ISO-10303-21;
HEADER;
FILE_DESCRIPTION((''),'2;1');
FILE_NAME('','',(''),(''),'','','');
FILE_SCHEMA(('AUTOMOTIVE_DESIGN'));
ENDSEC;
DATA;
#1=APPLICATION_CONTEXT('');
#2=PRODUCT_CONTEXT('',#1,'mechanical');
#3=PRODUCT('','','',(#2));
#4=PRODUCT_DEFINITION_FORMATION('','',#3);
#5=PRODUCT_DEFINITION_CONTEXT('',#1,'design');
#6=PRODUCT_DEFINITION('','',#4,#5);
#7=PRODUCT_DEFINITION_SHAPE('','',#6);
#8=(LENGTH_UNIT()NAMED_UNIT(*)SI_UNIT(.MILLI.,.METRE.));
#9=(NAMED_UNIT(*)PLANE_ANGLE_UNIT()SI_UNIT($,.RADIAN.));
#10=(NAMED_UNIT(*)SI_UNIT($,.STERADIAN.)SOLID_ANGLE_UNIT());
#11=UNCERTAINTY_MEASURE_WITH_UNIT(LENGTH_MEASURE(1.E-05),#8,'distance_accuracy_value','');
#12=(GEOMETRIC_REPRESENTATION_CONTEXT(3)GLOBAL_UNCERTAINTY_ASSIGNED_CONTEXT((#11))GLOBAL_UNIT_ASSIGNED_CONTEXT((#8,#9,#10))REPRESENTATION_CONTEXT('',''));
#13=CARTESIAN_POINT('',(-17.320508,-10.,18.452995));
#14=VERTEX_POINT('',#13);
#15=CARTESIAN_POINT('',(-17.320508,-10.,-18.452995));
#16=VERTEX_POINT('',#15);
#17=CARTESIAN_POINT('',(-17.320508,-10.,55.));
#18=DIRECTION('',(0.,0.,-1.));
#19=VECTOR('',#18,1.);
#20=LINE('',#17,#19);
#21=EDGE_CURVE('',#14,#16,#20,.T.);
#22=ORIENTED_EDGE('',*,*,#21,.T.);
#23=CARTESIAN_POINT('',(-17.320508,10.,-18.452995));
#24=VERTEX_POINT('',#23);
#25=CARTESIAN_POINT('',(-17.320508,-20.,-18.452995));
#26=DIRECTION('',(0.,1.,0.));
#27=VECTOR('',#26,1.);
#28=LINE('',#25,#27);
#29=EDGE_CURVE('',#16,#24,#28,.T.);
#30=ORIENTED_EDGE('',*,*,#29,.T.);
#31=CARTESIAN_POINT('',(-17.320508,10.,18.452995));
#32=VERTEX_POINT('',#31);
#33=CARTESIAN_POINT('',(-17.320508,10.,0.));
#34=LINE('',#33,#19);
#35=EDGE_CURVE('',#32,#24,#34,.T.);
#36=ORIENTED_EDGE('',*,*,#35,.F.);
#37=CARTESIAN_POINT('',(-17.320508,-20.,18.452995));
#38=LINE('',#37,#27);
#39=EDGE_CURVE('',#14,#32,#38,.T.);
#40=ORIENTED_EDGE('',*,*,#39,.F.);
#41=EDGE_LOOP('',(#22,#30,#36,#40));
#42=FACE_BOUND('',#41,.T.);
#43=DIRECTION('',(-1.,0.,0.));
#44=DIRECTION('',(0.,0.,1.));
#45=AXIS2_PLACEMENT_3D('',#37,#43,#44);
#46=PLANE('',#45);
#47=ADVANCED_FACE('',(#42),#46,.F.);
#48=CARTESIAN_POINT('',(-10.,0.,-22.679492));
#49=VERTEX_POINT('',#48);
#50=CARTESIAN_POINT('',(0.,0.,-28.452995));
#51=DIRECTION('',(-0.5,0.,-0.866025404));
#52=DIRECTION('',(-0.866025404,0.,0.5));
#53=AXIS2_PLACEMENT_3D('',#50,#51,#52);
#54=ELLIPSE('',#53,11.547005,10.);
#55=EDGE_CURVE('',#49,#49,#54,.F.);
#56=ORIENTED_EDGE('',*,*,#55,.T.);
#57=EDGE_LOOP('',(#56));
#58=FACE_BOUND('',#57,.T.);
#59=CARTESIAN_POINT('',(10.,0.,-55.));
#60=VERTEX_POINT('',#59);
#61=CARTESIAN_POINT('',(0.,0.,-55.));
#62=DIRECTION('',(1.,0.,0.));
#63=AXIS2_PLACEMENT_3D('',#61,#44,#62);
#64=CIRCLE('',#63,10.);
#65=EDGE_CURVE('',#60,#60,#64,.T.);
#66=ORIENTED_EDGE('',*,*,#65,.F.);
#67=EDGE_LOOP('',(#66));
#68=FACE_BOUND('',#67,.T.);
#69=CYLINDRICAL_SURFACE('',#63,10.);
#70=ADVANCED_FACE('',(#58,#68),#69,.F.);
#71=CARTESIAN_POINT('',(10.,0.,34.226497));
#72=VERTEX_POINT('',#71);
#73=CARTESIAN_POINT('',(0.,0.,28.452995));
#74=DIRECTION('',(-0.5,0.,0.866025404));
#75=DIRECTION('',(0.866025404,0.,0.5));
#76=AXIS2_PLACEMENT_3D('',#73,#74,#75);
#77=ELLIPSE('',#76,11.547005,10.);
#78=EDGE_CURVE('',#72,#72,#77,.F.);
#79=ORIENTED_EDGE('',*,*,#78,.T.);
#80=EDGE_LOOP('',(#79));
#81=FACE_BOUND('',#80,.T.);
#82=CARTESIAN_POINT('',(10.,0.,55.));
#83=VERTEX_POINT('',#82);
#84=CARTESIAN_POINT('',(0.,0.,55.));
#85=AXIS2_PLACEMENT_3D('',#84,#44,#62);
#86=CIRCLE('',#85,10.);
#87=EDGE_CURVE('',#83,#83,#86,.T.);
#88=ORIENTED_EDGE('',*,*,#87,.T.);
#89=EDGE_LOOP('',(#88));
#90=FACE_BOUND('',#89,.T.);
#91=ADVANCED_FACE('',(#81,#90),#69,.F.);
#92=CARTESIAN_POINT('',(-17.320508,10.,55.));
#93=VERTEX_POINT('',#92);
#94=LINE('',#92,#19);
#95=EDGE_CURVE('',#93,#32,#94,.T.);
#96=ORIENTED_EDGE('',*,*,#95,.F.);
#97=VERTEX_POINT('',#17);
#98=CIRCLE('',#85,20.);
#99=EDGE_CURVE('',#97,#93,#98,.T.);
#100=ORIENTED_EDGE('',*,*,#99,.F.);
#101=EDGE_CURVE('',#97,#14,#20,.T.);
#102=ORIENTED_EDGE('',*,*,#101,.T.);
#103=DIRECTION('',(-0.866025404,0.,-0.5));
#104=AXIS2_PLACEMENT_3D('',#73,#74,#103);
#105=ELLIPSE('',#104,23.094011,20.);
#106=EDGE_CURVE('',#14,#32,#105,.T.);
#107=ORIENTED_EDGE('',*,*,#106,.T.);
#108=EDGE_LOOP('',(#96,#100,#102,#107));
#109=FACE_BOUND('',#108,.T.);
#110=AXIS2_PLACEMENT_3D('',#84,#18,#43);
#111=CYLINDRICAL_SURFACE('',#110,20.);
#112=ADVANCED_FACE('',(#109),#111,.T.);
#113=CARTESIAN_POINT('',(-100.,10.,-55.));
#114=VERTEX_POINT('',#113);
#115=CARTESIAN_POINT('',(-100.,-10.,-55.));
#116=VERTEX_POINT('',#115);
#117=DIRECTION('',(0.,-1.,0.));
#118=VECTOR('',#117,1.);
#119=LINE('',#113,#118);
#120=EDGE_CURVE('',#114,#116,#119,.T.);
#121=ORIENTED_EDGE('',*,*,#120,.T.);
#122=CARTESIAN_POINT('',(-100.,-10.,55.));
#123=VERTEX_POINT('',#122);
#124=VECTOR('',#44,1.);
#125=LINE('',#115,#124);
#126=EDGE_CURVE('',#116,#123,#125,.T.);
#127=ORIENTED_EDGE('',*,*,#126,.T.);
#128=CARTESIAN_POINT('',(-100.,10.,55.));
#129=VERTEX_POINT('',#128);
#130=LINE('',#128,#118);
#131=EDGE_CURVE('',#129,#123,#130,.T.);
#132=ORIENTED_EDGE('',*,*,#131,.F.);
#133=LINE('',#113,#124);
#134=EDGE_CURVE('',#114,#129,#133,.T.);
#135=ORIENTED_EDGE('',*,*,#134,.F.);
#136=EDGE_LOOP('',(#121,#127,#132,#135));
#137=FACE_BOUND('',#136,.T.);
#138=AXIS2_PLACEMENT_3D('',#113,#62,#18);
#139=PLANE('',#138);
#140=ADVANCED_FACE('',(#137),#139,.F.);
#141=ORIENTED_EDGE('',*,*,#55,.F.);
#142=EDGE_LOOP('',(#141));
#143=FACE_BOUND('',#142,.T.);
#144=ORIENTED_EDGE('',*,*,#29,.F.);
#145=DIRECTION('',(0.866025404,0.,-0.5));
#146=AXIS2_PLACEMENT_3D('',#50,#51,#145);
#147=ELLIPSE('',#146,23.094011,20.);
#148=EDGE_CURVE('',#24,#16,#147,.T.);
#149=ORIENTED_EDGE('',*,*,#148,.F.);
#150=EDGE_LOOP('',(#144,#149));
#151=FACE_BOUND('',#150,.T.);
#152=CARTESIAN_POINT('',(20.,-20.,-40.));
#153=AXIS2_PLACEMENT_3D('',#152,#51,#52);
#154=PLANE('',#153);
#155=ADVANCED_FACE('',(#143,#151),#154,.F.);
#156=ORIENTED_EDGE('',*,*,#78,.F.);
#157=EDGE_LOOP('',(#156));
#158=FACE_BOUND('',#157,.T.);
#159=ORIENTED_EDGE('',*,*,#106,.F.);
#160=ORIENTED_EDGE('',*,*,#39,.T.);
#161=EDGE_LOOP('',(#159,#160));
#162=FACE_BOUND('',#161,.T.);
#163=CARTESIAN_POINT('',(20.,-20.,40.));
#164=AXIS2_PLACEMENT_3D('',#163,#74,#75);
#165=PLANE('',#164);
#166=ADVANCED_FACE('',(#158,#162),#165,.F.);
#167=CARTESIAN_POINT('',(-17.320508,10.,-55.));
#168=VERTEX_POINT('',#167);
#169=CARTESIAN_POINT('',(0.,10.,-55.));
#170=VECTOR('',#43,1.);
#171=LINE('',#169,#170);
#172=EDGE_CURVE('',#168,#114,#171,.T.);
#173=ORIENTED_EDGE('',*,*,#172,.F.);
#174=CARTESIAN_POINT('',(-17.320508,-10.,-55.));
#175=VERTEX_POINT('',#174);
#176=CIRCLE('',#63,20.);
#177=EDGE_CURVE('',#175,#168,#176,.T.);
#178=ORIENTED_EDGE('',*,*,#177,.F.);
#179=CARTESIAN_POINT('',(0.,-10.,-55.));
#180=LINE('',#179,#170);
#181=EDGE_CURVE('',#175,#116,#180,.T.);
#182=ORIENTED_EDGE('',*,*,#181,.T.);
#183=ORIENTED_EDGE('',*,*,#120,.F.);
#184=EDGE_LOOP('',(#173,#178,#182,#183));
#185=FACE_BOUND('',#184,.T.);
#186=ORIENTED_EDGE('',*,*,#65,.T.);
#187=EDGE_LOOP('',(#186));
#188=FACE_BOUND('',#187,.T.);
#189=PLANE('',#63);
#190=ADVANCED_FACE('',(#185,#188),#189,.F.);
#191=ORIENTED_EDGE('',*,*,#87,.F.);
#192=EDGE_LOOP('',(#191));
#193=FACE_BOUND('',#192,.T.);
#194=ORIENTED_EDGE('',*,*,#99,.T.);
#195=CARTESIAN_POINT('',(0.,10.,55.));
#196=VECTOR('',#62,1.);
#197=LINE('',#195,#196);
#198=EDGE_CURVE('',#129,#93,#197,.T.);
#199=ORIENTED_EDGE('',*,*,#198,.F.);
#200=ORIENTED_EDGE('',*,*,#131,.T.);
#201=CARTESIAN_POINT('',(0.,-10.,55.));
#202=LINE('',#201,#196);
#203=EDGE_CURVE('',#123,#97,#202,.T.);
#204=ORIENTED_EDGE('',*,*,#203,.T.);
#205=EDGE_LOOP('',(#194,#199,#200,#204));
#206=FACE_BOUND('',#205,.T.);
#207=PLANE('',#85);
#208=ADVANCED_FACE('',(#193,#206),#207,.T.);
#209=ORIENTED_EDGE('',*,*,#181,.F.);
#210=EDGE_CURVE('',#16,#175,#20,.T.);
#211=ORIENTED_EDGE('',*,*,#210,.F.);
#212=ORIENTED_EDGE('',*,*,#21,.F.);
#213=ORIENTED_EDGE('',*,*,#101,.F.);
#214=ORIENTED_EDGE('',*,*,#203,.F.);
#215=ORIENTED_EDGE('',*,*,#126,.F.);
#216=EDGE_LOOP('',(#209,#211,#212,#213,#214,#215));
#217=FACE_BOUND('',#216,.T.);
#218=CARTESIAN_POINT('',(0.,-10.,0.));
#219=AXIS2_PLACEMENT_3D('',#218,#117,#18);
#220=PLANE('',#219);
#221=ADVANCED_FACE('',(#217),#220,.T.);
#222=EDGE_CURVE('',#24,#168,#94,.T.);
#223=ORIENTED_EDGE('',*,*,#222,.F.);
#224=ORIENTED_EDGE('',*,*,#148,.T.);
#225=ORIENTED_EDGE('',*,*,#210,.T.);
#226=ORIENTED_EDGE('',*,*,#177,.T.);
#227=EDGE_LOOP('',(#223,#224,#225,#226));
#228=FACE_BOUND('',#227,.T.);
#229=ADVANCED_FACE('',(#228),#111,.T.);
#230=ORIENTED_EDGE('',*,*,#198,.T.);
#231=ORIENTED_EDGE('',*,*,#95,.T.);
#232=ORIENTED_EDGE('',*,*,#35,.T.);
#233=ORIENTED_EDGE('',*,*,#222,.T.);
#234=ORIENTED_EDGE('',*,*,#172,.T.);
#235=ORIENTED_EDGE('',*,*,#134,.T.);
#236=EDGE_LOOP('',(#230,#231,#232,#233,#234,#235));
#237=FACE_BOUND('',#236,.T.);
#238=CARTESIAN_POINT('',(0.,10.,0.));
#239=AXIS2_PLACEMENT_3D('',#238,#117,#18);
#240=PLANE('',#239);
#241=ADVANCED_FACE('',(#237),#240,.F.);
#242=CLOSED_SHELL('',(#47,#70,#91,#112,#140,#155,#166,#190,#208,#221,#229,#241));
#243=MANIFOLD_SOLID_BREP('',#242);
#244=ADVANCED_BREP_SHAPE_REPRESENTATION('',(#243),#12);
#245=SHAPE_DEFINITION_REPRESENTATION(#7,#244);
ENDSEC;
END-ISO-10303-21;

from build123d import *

# Parameters (mm, degrees)
SKETCH_1_R               = 20
EXTRUDE_1_DEPTH          = 55
SKETCH_2_W               = 100
SKETCH_2_H               = 110
EXTRUDE_2_DEPTH          = 10
SKETCH_3_R               = 10
CUT_EXTRUDE_1_DEPTH      = 151
CUT_EXTRUDE_3_DEPTH      = 119.004237212
CUT_EXTRUDE_3_DEPTH_BACK = 119.004237212


with BuildPart() as part:
    # 草图1 → 凸台-拉伸1 (new, symmetric)
    with BuildSketch(Plane.XY):
        Circle(SKETCH_1_R)
    extrude(amount=EXTRUDE_1_DEPTH, both=True)

    # 草图2 → 凸台-拉伸2 (add, symmetric)
    with BuildSketch(Plane(origin=(0, 0, 0), x_dir=(1, 0, 0), z_dir=(0, 1, 0))):
        with Locations((-50, 0)):
            Rectangle(SKETCH_2_W, SKETCH_2_H)
    extrude(amount=EXTRUDE_2_DEPTH, both=True)

    # 草图3 → 切除-拉伸1 (cut, through all)
    with BuildSketch(Plane.XY.offset(55)):
        Circle(SKETCH_3_R)
    extrude(amount=-CUT_EXTRUDE_1_DEPTH, mode=Mode.SUBTRACT)

    # 草图5 → 切除-拉伸3 (cut, two sides: drawn at the far end of the back side and taken through both)
    with BuildSketch(Plane(origin=(0, 10, 0), x_dir=(1, 0, 0), z_dir=(0, 1, 0)).offset(-CUT_EXTRUDE_3_DEPTH_BACK)):
        Polygon((20, -40), (-17.320508076, -18.452994616), (-17.320508076, 18.452994616), (20, 40), align=None)
    extrude(amount=CUT_EXTRUDE_3_DEPTH + CUT_EXTRUDE_3_DEPTH_BACK, mode=Mode.SUBTRACT)


solid = part.part
